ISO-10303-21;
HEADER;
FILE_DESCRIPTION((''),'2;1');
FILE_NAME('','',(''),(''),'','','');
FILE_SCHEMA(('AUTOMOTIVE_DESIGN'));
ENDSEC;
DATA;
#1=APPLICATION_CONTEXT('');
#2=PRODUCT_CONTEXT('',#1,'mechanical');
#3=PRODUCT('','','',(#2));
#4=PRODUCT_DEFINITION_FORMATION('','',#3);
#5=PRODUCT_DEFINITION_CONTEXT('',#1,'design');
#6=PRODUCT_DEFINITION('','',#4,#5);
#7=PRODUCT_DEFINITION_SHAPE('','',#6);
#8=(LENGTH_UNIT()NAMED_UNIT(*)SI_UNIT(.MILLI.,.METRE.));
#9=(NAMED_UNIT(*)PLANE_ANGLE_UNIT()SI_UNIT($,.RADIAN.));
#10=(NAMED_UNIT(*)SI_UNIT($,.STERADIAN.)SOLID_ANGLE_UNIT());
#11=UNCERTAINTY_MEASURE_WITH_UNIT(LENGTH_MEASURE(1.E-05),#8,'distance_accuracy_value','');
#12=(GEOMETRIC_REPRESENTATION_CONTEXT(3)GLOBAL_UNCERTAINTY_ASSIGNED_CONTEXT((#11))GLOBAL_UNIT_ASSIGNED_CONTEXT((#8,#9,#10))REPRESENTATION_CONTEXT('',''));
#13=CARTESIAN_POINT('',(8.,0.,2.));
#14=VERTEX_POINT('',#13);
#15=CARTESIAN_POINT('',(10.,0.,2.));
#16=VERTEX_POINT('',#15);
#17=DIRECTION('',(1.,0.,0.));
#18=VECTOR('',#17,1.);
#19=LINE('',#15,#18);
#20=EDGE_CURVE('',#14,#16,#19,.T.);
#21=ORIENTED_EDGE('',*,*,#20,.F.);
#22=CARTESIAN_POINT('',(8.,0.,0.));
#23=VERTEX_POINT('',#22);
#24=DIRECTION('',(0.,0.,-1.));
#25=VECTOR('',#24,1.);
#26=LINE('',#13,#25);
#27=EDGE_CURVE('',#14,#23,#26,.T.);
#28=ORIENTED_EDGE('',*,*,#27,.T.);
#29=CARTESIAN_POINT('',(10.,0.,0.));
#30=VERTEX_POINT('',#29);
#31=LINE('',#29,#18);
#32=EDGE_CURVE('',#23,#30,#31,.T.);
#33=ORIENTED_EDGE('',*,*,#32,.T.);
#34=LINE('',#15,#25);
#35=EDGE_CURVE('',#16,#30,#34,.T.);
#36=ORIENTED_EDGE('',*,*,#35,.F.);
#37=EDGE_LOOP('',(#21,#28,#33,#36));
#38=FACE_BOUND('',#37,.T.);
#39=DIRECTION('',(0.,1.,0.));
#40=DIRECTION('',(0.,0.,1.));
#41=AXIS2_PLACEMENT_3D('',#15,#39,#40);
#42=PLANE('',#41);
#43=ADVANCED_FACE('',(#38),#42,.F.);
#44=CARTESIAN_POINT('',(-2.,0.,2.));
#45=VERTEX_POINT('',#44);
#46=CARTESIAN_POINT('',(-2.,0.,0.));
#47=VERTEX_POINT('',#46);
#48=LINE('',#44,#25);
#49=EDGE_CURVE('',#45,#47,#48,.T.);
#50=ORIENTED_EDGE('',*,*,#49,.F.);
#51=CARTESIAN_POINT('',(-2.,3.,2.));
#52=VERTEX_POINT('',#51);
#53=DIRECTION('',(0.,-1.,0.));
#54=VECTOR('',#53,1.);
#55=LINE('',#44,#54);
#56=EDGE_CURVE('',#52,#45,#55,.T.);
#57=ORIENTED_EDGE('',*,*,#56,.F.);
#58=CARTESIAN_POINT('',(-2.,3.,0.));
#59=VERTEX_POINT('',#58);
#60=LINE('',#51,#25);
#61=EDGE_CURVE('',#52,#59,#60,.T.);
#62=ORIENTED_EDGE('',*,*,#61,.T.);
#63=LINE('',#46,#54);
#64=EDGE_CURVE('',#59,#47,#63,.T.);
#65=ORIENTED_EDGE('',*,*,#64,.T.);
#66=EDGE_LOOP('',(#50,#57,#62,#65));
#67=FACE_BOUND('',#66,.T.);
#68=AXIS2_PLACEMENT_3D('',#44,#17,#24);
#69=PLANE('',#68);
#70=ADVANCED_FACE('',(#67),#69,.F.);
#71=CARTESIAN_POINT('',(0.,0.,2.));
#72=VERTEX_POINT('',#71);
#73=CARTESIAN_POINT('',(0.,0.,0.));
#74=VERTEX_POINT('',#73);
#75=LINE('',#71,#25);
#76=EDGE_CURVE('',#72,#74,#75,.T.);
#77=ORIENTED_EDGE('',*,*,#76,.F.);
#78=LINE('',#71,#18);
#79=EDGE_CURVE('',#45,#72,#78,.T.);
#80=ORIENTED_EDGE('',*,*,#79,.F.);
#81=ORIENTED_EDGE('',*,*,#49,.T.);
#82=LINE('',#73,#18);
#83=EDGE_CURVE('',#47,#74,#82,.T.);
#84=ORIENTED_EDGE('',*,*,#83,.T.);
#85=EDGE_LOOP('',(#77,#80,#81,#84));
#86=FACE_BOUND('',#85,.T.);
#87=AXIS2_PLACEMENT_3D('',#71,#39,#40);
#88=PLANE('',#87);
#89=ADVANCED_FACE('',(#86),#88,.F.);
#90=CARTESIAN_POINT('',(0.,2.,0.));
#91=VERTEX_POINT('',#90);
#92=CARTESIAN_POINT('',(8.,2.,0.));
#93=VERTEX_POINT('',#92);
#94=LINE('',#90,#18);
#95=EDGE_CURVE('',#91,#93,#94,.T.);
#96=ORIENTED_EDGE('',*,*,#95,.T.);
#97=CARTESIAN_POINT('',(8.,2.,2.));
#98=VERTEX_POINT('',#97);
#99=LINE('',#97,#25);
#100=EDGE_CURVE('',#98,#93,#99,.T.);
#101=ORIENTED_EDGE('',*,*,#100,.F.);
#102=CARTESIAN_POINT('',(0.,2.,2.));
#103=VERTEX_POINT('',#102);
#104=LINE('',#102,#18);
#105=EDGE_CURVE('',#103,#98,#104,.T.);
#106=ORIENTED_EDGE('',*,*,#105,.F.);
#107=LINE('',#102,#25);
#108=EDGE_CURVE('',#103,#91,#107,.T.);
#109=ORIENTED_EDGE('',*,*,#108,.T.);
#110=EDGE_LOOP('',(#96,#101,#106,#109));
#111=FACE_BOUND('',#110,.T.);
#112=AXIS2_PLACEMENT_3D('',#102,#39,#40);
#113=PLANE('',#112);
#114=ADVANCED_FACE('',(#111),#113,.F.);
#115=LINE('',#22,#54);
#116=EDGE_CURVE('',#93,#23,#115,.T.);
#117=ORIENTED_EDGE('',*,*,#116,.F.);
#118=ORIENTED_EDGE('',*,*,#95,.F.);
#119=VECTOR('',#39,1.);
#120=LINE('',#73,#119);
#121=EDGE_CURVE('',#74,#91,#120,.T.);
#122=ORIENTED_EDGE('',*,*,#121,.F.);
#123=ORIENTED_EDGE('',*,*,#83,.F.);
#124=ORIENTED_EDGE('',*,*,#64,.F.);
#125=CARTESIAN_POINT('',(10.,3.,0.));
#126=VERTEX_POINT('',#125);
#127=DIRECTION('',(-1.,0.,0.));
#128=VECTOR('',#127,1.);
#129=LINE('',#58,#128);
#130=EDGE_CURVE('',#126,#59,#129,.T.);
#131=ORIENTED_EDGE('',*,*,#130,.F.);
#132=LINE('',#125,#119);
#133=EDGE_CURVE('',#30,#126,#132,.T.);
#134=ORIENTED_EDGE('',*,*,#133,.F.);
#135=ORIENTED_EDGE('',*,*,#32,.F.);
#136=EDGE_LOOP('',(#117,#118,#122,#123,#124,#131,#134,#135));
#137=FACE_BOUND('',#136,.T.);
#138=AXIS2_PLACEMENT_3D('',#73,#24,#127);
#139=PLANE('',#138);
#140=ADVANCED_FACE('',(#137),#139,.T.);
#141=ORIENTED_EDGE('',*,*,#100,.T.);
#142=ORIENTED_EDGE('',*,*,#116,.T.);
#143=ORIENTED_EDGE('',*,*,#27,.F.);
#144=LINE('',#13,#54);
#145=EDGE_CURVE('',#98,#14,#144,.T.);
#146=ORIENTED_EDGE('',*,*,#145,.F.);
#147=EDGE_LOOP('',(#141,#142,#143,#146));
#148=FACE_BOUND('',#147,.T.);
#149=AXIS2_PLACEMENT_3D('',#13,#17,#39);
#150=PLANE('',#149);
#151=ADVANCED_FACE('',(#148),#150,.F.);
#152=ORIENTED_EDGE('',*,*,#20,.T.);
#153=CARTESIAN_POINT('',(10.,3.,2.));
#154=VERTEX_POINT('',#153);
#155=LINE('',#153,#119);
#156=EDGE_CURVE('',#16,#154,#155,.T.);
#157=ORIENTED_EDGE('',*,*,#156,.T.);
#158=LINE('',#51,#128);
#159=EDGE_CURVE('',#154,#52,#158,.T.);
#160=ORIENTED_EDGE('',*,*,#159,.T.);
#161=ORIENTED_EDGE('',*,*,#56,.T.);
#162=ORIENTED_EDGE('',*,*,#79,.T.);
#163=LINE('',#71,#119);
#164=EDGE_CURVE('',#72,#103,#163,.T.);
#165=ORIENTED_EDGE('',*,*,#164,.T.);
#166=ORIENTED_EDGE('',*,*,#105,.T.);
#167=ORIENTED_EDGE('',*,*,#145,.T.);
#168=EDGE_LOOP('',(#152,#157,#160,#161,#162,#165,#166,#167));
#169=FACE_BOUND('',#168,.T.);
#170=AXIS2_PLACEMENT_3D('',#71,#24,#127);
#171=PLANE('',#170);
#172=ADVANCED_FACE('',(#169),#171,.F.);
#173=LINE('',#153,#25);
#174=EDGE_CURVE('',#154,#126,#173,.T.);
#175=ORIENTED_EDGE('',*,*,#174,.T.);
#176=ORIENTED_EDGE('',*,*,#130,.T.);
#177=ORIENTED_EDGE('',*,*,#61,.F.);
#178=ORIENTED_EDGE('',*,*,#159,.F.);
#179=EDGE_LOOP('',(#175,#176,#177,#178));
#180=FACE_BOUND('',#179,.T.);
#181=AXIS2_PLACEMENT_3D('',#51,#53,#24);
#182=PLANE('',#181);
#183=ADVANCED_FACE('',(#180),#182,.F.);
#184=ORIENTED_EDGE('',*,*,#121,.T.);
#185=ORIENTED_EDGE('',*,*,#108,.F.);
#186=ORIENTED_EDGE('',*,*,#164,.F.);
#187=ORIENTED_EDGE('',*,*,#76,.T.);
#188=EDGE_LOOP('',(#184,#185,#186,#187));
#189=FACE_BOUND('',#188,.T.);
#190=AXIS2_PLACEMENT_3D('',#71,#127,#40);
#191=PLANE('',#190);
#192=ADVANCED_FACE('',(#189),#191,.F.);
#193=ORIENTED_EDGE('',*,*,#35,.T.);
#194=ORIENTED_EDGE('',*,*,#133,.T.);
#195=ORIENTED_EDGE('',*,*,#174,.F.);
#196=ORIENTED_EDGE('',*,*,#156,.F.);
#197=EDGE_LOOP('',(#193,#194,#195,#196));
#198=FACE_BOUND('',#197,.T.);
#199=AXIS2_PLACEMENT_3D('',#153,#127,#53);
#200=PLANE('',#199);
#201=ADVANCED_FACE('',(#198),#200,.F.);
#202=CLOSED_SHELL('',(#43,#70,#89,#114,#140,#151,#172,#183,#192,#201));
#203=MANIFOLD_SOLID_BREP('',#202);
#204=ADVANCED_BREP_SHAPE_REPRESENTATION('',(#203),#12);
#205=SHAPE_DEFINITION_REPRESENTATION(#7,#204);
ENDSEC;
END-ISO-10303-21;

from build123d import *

# Parameters (mm, degrees)
BOSS_EXTRU_1_DEPTH = 2


with BuildPart() as part:
    # Esquisse1 → Boss.-Extru.1 (new body)
    with BuildSketch(Plane.XY):
        Polygon((0, 0), (-2, 0), (-2, 3), (10, 3), (10, 0), (8, 0), (8, 2), (0, 2), align=None)
    extrude(amount=BOSS_EXTRU_1_DEPTH)


solid = part.part
